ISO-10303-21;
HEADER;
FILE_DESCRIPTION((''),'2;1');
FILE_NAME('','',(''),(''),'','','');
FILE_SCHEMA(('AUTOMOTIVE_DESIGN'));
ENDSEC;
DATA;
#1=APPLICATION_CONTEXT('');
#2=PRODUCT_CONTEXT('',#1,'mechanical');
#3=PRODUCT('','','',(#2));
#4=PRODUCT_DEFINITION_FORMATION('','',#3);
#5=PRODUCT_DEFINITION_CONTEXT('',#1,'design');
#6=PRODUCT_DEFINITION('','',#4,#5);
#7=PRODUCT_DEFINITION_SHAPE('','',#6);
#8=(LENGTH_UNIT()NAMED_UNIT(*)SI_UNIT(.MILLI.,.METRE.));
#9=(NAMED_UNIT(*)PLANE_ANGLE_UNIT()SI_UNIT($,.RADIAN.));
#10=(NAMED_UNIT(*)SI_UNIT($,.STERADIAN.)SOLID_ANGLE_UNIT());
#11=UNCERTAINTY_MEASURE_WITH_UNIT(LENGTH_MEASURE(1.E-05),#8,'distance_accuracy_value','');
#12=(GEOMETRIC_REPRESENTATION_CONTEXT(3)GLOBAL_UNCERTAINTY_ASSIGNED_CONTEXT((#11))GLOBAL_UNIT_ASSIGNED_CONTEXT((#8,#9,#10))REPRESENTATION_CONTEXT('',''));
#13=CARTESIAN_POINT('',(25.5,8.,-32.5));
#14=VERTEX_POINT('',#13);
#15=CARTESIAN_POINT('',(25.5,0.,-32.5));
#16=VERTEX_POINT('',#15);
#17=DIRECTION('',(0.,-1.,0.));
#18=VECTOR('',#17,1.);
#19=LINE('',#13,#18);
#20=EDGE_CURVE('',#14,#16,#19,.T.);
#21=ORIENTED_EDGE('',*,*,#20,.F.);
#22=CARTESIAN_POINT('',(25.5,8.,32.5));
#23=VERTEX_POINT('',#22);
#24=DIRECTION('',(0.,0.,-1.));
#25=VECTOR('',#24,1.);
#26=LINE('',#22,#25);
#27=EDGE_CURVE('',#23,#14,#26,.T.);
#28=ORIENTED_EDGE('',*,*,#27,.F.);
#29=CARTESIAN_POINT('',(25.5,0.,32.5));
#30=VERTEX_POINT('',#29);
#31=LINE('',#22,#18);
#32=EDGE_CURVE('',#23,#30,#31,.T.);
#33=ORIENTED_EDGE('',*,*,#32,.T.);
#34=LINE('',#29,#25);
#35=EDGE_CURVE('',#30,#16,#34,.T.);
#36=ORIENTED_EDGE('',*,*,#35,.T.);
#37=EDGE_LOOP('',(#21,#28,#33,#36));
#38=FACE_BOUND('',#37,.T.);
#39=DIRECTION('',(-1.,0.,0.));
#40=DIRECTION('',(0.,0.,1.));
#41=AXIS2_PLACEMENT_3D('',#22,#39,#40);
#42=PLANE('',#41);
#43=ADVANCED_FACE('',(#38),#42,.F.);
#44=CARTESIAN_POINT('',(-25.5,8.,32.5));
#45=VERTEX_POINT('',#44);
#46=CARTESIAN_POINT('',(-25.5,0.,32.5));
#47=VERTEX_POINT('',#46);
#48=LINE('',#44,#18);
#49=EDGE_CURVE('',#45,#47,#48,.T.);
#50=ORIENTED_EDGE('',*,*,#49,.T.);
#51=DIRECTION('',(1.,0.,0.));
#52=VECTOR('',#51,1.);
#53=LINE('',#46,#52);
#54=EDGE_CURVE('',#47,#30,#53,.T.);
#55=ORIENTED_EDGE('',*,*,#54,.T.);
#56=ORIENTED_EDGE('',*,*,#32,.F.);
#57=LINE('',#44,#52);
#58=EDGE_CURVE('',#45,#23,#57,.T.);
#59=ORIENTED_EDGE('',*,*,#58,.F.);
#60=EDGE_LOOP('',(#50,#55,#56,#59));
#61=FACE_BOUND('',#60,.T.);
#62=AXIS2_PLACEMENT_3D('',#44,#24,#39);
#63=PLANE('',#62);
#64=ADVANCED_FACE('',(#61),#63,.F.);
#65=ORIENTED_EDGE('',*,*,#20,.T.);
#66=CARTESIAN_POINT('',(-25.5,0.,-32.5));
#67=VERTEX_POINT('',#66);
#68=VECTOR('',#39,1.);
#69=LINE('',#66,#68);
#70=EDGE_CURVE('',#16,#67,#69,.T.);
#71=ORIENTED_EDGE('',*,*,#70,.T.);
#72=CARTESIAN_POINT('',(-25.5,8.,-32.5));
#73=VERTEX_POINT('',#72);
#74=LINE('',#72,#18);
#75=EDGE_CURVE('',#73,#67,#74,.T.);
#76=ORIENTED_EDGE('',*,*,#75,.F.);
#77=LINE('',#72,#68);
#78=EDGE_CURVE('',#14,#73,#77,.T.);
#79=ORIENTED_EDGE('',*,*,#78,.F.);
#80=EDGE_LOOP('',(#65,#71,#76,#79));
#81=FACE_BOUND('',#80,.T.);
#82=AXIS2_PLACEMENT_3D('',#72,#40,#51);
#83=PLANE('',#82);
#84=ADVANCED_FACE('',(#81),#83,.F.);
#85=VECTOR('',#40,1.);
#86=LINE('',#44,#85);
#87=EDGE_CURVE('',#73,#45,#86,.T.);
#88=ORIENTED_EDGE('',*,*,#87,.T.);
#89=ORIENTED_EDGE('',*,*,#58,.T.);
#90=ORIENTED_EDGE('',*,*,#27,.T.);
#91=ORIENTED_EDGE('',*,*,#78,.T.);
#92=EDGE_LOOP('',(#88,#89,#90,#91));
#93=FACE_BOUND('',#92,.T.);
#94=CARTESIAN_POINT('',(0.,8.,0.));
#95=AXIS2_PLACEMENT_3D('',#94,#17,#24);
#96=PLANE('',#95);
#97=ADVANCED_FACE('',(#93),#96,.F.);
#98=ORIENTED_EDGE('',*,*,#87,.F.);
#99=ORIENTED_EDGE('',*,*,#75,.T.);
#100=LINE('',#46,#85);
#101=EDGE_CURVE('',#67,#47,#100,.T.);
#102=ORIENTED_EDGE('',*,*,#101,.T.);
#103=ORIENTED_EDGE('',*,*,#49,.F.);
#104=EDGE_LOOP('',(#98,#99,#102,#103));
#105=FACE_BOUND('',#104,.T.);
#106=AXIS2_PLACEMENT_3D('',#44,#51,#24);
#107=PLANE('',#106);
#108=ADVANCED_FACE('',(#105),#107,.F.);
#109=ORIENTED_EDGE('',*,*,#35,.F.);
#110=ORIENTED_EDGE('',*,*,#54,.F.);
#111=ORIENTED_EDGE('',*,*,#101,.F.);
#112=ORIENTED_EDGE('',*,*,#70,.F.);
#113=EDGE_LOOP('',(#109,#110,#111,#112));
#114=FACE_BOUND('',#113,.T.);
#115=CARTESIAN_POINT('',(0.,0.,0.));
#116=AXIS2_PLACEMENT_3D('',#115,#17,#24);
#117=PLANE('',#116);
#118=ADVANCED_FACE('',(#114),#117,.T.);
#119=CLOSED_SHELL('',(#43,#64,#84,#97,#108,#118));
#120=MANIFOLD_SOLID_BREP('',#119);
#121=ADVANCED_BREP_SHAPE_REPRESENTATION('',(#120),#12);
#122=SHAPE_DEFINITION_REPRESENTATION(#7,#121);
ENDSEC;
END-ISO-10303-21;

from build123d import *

# Parameters (mm, degrees)
SKETCH1_W           = 51
SKETCH1_H           = 65
BOSS_EXTRUDE1_DEPTH = 8


with BuildPart() as part:
    # Sketch1 → Boss-Extrude1 (new body)
    with BuildSketch(Plane(origin=(0, 0, 0), x_dir=(1, 0, 0), z_dir=(0, 1, 0))):
        Rectangle(SKETCH1_W, SKETCH1_H)
    extrude(amount=BOSS_EXTRUDE1_DEPTH)


solid = part.part
